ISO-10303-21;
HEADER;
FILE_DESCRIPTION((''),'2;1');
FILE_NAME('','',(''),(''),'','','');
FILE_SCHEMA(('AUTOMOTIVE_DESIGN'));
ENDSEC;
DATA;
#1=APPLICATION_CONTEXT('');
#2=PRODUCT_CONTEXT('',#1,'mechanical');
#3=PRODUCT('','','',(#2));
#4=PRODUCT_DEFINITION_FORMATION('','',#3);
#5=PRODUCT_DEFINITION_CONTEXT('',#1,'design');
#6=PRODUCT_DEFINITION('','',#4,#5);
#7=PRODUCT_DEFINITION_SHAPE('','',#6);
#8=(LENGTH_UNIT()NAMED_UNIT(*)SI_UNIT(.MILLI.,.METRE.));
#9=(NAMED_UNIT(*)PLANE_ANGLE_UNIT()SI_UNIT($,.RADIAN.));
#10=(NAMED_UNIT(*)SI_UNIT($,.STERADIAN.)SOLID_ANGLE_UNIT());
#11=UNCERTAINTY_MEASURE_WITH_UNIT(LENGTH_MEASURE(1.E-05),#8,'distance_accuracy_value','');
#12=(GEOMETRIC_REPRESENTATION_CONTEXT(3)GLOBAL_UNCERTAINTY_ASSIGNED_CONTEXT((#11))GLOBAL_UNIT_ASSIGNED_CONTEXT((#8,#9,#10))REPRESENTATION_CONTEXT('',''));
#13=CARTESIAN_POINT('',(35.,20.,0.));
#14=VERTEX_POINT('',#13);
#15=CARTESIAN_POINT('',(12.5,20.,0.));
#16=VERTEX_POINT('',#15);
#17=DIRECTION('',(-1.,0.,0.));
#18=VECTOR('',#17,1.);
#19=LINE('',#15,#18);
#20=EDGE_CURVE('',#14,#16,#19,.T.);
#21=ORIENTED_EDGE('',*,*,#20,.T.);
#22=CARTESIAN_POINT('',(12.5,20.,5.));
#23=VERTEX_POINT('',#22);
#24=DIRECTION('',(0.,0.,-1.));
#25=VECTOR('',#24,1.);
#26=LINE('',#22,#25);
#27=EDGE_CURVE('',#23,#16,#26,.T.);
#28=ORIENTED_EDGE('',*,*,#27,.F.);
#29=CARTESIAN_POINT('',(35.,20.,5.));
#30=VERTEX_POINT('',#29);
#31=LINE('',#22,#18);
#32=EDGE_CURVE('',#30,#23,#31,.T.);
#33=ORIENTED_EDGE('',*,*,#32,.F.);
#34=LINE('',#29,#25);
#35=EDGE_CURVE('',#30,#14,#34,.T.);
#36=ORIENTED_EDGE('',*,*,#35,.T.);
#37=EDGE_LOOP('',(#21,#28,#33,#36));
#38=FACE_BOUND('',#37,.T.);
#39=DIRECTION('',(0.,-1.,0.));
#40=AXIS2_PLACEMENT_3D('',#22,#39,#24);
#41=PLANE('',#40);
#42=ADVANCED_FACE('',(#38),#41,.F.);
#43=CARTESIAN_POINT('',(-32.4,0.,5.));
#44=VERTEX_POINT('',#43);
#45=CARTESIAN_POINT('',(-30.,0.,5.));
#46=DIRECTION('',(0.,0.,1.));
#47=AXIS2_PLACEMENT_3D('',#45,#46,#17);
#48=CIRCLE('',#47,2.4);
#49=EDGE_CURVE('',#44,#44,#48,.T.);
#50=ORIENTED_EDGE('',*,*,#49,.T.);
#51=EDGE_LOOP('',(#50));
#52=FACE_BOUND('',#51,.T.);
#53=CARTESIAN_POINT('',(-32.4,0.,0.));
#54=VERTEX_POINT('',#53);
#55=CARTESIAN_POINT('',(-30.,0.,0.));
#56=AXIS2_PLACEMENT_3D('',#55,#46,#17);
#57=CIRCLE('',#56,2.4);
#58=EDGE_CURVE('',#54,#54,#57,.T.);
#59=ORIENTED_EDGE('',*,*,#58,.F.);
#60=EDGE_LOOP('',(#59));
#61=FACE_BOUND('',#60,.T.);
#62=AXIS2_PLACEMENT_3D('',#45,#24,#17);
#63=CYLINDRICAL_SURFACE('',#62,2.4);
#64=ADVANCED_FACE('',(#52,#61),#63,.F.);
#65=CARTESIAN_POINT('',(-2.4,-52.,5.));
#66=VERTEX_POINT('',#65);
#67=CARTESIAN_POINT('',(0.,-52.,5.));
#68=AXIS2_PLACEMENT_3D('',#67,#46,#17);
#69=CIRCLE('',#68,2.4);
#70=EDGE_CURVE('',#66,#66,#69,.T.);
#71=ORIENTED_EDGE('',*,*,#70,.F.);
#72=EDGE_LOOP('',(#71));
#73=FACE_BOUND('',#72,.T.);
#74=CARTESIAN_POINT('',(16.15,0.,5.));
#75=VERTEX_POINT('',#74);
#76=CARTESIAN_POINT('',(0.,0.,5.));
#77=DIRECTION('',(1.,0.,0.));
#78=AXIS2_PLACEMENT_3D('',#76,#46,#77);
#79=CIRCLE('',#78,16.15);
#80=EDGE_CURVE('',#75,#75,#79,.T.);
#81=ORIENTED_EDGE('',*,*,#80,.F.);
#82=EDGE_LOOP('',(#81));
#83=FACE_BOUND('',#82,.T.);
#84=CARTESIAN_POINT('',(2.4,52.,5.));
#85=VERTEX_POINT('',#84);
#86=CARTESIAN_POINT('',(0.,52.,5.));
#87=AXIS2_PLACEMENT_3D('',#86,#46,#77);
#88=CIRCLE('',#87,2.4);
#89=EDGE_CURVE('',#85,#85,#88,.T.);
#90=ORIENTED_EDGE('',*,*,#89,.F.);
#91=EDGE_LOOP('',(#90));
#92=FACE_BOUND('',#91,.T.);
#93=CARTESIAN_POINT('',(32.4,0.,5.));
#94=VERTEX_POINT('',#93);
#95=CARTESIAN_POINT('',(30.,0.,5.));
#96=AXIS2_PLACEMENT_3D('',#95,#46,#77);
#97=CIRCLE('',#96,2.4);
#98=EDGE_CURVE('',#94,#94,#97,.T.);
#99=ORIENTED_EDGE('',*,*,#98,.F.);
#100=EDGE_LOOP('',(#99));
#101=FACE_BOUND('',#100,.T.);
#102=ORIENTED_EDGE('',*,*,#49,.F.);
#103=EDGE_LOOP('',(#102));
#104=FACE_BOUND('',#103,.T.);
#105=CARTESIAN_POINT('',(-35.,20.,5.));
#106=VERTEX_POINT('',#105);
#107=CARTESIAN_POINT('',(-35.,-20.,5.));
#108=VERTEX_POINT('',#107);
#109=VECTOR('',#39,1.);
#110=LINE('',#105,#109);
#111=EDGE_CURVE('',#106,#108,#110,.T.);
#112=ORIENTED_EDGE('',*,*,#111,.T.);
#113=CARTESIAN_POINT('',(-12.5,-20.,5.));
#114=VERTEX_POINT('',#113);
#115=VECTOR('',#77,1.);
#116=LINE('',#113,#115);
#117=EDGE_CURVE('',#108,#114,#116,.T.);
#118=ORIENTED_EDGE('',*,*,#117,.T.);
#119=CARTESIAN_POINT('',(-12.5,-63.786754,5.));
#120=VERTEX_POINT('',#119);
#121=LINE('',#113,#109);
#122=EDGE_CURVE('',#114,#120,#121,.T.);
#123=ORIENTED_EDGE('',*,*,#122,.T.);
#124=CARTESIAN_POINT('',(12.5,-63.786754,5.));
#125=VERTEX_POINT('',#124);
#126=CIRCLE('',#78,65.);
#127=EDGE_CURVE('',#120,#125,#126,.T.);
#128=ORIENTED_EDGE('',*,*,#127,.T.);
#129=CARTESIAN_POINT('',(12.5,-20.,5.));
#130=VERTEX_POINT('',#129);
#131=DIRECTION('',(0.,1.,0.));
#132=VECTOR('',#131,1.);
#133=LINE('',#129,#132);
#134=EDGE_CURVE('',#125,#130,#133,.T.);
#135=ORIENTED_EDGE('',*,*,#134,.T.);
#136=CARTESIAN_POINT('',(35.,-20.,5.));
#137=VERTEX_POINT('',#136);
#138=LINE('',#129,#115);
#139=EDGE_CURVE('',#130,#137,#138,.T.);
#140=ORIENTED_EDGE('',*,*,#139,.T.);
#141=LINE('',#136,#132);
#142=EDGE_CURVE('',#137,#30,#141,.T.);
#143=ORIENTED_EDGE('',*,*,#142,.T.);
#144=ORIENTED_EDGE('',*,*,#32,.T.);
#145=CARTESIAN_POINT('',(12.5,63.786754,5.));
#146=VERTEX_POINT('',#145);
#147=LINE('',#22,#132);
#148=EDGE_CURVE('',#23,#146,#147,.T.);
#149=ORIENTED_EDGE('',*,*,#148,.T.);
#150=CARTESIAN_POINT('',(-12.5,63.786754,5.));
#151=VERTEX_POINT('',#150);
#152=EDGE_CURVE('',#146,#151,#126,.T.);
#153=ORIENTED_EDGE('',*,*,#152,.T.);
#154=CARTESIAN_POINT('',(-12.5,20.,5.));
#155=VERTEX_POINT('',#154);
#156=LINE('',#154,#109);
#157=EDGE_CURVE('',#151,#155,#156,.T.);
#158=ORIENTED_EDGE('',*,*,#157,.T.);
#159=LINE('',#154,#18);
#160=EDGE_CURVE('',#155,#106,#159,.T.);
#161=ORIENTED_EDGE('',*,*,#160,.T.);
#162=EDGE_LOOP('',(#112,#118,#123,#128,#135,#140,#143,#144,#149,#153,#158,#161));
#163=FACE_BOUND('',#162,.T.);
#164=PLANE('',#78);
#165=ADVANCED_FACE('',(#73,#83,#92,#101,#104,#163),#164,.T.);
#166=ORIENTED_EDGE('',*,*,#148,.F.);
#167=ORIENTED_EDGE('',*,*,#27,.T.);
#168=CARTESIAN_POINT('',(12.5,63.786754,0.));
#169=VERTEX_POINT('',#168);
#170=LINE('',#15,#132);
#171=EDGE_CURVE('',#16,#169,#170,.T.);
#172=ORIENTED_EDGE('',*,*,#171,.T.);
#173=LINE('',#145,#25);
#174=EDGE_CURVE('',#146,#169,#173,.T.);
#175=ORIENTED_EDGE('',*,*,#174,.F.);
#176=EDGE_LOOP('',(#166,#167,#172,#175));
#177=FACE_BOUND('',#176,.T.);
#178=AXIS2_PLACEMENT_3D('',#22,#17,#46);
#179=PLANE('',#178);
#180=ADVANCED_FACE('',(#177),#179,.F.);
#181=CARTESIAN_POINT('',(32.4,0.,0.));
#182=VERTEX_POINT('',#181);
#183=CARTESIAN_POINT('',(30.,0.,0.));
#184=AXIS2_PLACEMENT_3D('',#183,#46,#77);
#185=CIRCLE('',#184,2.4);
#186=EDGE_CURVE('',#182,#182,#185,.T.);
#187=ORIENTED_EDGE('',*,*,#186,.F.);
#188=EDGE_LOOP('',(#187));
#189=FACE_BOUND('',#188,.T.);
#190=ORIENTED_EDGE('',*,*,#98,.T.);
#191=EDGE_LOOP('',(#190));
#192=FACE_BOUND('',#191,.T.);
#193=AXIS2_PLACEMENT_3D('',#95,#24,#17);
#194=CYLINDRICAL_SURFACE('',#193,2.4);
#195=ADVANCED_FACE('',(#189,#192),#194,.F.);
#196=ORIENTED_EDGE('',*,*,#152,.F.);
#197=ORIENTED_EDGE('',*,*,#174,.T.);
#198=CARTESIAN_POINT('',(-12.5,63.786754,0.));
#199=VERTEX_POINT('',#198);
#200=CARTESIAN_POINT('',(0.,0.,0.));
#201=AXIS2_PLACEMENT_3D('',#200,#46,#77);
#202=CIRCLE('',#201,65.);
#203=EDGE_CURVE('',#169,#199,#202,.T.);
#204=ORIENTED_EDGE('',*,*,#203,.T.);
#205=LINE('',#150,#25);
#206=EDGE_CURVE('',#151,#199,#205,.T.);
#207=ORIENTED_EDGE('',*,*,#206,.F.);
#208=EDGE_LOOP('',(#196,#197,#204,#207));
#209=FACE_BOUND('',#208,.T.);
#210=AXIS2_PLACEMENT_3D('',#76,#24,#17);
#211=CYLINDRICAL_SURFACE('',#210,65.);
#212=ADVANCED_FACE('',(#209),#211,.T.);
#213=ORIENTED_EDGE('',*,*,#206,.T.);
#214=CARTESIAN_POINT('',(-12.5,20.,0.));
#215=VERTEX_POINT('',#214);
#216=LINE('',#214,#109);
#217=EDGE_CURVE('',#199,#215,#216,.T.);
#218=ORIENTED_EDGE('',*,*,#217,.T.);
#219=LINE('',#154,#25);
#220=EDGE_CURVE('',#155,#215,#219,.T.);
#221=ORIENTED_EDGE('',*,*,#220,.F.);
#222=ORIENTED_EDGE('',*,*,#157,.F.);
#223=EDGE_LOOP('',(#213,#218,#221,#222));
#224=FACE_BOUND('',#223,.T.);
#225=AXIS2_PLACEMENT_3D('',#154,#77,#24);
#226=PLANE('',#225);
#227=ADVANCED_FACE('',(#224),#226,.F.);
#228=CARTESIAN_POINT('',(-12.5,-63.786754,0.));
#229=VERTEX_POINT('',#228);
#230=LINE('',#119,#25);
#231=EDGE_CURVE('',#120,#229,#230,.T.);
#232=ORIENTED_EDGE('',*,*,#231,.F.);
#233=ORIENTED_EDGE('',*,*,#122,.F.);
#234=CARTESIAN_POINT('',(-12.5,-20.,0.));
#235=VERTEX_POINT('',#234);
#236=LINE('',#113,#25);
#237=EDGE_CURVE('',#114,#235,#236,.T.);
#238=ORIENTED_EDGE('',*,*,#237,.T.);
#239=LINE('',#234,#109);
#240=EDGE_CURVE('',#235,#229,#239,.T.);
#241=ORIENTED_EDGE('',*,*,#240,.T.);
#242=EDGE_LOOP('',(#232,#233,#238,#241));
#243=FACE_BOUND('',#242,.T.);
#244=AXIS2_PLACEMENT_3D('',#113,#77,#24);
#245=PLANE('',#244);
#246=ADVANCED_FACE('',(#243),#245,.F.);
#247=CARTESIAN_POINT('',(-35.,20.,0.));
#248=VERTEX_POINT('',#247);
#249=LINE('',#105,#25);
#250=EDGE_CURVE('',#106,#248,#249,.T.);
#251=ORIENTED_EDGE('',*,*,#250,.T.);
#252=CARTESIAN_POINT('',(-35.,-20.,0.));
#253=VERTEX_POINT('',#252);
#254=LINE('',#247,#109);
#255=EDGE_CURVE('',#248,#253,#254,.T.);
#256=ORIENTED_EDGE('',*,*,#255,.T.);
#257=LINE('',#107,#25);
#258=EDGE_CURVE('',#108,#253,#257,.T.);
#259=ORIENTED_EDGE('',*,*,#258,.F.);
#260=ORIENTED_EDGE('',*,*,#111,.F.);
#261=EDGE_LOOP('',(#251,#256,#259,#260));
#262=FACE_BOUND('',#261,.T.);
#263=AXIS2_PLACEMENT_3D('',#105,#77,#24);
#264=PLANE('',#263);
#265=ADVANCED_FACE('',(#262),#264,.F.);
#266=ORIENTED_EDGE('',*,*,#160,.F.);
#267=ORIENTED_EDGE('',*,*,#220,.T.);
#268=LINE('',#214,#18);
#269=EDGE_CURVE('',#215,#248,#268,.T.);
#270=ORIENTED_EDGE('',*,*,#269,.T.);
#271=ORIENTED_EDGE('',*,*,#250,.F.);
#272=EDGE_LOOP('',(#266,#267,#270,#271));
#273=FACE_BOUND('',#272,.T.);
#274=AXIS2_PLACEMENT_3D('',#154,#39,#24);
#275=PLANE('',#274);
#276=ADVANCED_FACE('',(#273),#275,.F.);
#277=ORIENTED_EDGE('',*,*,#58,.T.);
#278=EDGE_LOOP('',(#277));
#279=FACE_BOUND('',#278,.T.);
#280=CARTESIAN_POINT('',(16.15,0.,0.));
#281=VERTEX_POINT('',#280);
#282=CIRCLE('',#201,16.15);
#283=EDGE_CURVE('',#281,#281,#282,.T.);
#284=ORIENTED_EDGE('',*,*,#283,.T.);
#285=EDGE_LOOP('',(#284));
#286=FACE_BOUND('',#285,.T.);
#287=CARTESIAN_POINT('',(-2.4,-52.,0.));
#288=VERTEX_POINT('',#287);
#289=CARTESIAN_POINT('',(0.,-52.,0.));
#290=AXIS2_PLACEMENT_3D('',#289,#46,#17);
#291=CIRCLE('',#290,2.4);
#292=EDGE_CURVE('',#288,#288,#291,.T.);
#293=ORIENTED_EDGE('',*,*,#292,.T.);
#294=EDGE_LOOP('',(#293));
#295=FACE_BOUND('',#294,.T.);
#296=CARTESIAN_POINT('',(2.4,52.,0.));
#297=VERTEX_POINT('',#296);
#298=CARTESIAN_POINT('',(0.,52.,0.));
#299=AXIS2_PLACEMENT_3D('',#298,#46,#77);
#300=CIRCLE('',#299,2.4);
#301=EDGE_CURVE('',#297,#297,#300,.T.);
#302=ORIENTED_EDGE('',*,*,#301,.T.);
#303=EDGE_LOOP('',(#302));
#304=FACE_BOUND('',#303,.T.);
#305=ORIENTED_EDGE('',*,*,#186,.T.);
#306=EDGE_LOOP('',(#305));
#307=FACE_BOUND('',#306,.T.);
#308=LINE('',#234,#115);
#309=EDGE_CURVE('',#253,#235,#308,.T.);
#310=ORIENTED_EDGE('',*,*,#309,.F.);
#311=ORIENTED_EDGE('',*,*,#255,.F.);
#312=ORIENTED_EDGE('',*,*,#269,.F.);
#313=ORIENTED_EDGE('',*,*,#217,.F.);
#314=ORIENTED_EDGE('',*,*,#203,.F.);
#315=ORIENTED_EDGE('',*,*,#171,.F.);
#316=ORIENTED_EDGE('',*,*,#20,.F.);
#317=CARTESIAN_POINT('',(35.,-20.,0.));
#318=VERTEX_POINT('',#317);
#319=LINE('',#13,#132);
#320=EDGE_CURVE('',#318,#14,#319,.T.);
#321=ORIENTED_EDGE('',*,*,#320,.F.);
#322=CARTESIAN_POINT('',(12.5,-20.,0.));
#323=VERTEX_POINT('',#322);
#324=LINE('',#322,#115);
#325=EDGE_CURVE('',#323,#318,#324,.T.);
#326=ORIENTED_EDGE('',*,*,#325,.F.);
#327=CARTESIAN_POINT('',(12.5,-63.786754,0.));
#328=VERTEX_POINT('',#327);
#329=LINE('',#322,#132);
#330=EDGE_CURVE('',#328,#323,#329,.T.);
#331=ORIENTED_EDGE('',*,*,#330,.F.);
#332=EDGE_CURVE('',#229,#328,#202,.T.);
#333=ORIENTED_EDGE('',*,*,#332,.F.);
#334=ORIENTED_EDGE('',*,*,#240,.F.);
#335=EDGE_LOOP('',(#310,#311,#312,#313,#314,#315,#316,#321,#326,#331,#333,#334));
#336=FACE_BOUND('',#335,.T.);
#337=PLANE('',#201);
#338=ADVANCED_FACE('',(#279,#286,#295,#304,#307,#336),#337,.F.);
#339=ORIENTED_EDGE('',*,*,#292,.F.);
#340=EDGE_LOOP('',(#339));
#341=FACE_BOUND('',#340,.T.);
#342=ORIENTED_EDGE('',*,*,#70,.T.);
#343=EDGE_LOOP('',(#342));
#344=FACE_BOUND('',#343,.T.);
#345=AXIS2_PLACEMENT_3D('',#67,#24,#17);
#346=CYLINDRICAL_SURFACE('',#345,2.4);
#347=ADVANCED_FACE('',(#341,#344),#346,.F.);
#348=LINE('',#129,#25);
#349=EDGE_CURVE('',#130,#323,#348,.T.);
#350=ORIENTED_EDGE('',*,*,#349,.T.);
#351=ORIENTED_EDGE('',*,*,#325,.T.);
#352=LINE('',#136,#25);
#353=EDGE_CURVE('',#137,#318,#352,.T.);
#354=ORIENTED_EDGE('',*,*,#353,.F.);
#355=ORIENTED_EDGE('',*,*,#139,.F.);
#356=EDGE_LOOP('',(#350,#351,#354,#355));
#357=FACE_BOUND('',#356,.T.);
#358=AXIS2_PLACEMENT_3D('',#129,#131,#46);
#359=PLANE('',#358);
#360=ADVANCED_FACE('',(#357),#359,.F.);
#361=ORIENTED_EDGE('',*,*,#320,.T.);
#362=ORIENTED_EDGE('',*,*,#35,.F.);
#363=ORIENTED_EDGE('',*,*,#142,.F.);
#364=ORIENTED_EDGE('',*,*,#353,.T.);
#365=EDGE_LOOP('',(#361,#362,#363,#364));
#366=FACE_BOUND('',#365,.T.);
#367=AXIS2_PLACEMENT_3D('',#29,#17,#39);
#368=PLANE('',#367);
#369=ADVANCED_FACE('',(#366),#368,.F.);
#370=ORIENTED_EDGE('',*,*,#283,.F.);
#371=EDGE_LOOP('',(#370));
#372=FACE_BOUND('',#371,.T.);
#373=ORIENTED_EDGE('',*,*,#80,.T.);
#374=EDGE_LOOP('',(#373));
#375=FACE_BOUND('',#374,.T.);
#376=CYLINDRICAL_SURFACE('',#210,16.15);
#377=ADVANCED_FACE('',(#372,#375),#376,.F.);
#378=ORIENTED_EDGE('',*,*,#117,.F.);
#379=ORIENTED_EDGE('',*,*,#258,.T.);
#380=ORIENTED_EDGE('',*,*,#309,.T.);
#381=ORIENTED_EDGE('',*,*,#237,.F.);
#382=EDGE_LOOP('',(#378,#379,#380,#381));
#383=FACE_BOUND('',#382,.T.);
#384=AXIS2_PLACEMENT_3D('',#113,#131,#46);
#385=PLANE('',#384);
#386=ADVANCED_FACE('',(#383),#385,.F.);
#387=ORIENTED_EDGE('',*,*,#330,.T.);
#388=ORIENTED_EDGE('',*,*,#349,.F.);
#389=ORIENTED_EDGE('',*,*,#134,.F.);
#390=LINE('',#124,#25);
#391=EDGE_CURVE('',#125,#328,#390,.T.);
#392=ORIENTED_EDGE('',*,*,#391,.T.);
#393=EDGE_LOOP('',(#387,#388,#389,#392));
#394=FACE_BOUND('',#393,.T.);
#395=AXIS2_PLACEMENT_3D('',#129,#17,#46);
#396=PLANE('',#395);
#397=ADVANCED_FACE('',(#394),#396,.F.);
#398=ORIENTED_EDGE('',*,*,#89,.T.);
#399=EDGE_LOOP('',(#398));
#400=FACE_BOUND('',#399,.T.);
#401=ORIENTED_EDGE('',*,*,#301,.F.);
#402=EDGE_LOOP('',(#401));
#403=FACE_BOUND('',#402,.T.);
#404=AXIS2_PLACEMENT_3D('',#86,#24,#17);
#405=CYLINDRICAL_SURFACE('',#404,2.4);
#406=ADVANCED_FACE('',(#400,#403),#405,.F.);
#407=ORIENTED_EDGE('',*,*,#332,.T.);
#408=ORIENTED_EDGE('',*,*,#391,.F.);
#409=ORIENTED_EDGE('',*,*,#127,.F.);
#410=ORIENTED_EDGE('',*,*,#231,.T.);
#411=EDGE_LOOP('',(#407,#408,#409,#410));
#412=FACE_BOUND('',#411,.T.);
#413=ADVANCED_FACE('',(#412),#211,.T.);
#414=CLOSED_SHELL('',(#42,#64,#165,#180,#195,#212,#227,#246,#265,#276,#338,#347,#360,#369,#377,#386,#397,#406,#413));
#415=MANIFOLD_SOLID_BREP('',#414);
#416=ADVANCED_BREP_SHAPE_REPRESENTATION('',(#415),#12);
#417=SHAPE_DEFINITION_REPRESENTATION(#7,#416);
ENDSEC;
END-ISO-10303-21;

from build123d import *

# Parameters (mm, degrees)
SKETCH1_R           = 16.15
SKETCH1_R_2         = 2.4
BOSS_EXTRUDE1_DEPTH = 5


with BuildPart() as part:
    # Sketch1 → Boss-Extrude1 (new body)
    with BuildSketch(Plane.XY):
        with BuildLine():
            Line((12.5, 20), (35, 20))
            Line((35, 20), (35, 0))
            Line((35, 0), (35, -20))
            Line((35, -20), (12.5, -20))
            Line((12.5, -20), (12.5, -63.786754111))
            ThreePointArc((12.5, -63.786754111), (0, -65), (-12.5, -63.786754111))
            Line((-12.5, -63.786754111), (-12.5, -20))
            Line((-12.5, -20), (-35, -20))
            Line((-35, -20), (-35, 20))
            Line((-35, 20), (-12.5, 20))
            Line((-12.5, 20), (-12.5, 63.786754111))
            ThreePointArc((-12.5, 63.786754111), (0, 65), (12.5, 63.786754111))
            Line((12.5, 63.786754111), (12.5, 20))
        make_face()
        Circle(SKETCH1_R, mode=Mode.SUBTRACT)
        with Locations((0, 52)):
            Circle(SKETCH1_R_2, mode=Mode.SUBTRACT)
        with Locations((30, 0)):
            Circle(SKETCH1_R_2, mode=Mode.SUBTRACT)
        with Locations((0, -52)):
            Circle(SKETCH1_R_2, mode=Mode.SUBTRACT)
        with Locations((-30, 0)):
            Circle(SKETCH1_R_2, mode=Mode.SUBTRACT)
    extrude(amount=BOSS_EXTRUDE1_DEPTH)


solid = part.part
